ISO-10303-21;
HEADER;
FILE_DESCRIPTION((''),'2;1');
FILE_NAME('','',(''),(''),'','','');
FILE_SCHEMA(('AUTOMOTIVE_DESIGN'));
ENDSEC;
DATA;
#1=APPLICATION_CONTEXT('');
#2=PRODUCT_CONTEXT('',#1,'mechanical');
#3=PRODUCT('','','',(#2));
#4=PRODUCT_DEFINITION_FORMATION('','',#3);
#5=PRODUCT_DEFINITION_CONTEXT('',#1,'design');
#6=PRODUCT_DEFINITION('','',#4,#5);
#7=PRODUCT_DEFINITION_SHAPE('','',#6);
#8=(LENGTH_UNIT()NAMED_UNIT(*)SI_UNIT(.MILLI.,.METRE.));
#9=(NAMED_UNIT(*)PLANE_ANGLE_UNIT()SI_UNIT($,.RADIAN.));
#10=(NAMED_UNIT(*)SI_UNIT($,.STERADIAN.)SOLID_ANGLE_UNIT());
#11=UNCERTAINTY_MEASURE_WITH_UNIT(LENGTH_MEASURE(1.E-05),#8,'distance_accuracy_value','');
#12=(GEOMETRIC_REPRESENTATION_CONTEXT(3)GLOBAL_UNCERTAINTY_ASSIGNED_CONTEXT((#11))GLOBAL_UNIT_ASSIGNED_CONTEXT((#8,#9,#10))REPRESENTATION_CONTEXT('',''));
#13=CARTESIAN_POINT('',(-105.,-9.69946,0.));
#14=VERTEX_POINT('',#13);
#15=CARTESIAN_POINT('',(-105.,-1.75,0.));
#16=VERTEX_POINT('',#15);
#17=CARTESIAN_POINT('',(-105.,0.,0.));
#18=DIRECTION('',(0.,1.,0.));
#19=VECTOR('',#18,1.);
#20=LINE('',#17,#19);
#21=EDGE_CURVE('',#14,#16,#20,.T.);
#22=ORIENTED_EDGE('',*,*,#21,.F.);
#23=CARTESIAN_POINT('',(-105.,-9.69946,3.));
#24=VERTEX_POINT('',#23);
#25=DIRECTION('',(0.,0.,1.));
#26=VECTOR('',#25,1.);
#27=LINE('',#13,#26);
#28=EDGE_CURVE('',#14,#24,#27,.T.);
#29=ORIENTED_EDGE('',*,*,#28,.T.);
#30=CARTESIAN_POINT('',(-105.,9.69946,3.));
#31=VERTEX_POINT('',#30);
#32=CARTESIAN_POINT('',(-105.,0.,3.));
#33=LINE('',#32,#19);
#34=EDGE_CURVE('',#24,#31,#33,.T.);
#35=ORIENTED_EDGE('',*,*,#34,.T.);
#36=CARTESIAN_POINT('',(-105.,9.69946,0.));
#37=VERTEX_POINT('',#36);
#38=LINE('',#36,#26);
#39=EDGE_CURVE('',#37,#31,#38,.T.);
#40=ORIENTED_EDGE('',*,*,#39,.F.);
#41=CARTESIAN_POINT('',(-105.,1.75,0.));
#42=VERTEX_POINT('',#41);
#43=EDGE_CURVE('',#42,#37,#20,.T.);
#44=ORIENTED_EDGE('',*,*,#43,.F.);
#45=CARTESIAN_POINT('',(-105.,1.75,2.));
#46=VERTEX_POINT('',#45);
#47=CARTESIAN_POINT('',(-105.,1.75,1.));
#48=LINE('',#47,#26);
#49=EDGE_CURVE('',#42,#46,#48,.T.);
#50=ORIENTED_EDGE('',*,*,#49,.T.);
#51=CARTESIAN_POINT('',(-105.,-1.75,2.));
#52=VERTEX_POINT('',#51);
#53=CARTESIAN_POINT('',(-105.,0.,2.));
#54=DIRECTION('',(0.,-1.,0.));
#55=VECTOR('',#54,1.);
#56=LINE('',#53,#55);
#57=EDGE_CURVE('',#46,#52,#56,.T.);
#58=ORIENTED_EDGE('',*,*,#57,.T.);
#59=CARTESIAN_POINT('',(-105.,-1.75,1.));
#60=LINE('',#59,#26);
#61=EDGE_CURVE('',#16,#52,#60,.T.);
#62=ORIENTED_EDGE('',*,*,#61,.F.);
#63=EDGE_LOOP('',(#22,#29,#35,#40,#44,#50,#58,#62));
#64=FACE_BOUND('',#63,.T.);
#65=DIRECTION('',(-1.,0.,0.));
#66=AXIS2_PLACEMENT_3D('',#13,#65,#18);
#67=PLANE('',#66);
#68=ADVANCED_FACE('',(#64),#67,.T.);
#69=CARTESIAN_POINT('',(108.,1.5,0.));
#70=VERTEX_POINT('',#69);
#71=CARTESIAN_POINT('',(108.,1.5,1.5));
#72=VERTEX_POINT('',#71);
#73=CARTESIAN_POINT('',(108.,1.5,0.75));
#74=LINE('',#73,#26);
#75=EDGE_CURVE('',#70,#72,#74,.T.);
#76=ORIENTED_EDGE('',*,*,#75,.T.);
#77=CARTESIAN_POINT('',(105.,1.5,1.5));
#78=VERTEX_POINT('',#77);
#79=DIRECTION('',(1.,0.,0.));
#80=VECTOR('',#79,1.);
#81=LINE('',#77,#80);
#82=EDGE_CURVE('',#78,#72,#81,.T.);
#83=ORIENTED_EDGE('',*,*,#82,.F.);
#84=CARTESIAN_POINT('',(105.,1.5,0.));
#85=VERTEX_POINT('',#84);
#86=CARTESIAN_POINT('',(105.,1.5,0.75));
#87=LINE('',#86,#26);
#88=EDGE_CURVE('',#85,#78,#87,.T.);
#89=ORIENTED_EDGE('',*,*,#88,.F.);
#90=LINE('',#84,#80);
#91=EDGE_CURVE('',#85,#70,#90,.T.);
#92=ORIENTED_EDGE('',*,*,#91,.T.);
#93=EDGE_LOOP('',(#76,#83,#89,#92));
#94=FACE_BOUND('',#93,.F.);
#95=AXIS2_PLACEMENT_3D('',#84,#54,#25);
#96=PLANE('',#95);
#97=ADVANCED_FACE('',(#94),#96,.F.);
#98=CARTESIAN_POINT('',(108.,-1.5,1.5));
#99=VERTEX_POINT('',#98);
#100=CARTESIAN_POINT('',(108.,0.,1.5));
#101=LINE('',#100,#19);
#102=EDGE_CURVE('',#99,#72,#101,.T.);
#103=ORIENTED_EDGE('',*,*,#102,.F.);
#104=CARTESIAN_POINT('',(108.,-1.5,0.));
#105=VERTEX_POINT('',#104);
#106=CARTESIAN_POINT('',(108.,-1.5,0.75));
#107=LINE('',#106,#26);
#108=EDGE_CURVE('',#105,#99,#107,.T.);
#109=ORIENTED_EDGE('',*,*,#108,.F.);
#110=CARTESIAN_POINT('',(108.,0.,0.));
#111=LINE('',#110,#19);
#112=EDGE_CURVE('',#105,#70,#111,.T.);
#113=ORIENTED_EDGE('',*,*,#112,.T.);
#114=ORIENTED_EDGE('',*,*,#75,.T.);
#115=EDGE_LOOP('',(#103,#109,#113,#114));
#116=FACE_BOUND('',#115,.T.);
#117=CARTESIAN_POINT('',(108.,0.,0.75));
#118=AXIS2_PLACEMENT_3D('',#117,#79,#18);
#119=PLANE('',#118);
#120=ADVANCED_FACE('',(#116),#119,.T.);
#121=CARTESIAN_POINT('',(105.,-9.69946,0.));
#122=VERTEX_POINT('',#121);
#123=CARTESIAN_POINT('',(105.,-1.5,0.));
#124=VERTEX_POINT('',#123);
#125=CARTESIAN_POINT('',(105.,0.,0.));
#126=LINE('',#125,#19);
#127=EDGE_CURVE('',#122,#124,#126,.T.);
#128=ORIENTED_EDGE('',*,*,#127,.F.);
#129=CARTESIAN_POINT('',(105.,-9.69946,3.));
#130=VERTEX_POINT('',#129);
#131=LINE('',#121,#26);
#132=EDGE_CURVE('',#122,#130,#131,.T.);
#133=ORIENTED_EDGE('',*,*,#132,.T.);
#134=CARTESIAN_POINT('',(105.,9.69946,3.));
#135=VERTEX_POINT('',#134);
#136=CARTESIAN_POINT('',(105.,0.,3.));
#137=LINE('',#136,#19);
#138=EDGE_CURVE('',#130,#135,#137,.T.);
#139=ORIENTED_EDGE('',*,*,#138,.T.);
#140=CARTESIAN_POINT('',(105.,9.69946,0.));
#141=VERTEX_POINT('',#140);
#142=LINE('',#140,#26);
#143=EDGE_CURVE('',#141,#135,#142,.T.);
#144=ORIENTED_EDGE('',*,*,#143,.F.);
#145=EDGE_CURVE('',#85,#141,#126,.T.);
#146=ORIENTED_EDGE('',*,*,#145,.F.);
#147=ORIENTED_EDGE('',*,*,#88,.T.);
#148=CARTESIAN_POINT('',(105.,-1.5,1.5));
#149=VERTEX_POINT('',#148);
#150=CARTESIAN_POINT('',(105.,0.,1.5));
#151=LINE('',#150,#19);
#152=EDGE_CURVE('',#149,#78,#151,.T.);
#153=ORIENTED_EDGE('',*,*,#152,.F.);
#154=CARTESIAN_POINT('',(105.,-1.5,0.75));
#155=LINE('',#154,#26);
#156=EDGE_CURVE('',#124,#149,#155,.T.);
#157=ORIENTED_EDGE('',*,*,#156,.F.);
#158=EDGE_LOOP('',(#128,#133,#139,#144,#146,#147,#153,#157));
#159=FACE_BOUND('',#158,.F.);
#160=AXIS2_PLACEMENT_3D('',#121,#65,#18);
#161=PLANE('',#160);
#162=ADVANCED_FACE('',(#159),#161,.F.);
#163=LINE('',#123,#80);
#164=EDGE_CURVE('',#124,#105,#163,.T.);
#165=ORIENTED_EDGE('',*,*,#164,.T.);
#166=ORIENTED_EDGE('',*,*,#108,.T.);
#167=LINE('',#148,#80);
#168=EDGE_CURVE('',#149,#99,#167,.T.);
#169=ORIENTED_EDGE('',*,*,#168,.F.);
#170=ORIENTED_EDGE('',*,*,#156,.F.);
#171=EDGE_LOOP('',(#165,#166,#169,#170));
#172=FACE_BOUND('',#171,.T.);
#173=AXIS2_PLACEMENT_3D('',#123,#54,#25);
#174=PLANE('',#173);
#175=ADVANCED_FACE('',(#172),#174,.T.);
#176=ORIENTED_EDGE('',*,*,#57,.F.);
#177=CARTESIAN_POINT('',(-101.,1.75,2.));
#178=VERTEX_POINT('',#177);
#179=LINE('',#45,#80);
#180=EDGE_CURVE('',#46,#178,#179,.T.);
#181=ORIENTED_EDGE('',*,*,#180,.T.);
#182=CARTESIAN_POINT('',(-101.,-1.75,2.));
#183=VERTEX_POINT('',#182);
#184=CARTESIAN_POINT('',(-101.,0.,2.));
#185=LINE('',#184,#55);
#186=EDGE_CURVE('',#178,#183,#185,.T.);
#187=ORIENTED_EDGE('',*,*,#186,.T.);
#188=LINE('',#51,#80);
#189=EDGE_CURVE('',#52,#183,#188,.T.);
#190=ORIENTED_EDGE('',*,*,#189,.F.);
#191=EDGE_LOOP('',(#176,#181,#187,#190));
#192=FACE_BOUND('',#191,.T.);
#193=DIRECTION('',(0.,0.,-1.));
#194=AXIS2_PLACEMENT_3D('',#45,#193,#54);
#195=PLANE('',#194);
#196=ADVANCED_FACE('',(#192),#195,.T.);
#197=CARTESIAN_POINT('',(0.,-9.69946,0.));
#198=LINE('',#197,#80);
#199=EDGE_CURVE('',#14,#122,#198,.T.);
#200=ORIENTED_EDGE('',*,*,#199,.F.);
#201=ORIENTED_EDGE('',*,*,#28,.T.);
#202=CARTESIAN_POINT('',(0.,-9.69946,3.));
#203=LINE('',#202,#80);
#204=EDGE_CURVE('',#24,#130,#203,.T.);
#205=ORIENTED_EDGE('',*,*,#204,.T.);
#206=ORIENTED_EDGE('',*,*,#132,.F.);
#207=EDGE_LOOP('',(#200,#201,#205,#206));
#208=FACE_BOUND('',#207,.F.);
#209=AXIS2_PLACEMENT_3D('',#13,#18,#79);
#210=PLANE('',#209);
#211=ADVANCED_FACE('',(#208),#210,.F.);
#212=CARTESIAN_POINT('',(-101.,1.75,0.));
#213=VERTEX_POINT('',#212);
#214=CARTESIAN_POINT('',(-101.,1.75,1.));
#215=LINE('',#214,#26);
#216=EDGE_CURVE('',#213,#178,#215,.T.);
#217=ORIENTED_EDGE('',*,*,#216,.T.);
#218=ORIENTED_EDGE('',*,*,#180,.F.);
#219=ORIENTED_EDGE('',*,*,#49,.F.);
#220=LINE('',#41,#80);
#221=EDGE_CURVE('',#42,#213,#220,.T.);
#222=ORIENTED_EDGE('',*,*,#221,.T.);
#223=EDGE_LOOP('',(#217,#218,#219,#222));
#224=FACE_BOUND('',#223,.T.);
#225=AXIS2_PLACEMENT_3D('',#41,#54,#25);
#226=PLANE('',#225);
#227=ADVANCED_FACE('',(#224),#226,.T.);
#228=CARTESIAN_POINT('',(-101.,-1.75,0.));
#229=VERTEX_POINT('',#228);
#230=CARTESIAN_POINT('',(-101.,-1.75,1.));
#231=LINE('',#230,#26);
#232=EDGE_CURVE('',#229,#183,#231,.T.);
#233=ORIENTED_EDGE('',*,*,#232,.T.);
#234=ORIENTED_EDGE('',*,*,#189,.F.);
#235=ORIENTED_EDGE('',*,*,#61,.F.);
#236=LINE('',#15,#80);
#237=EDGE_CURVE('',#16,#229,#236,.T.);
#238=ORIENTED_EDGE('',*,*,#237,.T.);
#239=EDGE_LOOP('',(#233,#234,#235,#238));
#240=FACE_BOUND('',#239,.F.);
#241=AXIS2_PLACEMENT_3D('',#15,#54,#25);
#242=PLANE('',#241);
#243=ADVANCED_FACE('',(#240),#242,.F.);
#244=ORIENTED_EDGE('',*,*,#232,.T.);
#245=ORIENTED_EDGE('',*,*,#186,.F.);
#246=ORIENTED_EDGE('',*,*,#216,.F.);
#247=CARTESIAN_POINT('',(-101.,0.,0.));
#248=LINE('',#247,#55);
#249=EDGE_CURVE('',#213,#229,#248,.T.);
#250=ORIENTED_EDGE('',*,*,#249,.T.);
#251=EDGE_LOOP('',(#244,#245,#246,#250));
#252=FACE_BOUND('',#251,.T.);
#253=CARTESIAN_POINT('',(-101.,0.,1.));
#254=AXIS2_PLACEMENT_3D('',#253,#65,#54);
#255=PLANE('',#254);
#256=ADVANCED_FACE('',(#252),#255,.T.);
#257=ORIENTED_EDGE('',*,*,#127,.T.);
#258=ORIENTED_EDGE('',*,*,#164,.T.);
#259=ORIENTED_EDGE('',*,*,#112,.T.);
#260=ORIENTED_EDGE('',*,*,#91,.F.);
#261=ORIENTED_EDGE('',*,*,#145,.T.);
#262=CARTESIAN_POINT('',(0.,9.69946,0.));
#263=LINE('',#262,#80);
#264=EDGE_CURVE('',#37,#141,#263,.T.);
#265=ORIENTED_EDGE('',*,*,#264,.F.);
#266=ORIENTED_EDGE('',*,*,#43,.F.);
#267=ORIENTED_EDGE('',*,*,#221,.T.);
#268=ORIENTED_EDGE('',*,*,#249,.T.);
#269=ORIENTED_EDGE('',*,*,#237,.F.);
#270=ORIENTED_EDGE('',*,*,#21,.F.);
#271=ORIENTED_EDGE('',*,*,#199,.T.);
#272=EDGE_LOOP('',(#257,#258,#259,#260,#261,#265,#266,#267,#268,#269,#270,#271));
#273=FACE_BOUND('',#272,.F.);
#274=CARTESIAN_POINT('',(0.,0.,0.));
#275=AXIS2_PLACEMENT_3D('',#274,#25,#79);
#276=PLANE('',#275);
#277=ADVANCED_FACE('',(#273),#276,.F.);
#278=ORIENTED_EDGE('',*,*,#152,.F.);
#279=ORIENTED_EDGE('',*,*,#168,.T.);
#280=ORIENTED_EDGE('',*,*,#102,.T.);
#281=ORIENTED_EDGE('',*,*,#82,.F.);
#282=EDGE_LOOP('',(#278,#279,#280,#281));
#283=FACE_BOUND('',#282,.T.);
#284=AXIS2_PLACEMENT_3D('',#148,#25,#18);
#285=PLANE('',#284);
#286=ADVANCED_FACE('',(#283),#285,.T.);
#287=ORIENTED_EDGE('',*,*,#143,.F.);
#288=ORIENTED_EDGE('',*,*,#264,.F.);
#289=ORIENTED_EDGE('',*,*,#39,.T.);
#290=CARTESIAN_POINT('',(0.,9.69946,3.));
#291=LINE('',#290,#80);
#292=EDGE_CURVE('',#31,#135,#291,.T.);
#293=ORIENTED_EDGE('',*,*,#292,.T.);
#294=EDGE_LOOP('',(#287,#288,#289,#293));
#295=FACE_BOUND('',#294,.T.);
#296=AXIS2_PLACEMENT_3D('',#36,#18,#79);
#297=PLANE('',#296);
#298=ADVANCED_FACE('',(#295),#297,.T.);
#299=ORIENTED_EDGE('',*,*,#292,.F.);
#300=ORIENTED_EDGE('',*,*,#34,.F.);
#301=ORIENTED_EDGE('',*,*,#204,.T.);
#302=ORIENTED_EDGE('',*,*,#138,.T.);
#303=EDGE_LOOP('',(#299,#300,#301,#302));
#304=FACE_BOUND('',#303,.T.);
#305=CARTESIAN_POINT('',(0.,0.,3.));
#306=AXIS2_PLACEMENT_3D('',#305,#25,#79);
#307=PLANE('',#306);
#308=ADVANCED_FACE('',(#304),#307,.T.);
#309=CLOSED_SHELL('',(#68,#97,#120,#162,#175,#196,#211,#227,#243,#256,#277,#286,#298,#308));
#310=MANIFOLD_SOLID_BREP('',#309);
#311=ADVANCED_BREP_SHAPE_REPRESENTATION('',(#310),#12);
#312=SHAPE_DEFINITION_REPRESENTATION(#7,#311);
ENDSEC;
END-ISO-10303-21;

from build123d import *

# Parameters (mm, degrees)
F0_W     = 210
F0_H     = 19.39892
F1_DEPTH = 3
F2_W     = 3
F2_H     = 1.5
F3_DEPTH = 3
F4_W     = 3.5
F4_H     = 2
F5_DEPTH = 4


with BuildPart() as f1:
    # F0 (on Top) → F1 (new body)
    with BuildSketch(Plane.XY):
        Rectangle(F0_W, F0_H)
    extrude(amount=F1_DEPTH)

    # F2 (on face) → F3 (join)
    with BuildSketch(Plane.YZ.offset(105)):
        with Locations((0, 0.75)):
            Rectangle(F2_W, F2_H)
    extrude(amount=F3_DEPTH)

    # F4 (on face) → F5 (cut)
    with BuildSketch(Plane(origin=(-105, 0, 0), x_dir=(0, -1, 0), z_dir=(-1, 0, 0))):
        with Locations((0, 1)):
            Rectangle(F4_W, F4_H)
    extrude(amount=-F5_DEPTH, mode=Mode.SUBTRACT)


solid = f1.part
